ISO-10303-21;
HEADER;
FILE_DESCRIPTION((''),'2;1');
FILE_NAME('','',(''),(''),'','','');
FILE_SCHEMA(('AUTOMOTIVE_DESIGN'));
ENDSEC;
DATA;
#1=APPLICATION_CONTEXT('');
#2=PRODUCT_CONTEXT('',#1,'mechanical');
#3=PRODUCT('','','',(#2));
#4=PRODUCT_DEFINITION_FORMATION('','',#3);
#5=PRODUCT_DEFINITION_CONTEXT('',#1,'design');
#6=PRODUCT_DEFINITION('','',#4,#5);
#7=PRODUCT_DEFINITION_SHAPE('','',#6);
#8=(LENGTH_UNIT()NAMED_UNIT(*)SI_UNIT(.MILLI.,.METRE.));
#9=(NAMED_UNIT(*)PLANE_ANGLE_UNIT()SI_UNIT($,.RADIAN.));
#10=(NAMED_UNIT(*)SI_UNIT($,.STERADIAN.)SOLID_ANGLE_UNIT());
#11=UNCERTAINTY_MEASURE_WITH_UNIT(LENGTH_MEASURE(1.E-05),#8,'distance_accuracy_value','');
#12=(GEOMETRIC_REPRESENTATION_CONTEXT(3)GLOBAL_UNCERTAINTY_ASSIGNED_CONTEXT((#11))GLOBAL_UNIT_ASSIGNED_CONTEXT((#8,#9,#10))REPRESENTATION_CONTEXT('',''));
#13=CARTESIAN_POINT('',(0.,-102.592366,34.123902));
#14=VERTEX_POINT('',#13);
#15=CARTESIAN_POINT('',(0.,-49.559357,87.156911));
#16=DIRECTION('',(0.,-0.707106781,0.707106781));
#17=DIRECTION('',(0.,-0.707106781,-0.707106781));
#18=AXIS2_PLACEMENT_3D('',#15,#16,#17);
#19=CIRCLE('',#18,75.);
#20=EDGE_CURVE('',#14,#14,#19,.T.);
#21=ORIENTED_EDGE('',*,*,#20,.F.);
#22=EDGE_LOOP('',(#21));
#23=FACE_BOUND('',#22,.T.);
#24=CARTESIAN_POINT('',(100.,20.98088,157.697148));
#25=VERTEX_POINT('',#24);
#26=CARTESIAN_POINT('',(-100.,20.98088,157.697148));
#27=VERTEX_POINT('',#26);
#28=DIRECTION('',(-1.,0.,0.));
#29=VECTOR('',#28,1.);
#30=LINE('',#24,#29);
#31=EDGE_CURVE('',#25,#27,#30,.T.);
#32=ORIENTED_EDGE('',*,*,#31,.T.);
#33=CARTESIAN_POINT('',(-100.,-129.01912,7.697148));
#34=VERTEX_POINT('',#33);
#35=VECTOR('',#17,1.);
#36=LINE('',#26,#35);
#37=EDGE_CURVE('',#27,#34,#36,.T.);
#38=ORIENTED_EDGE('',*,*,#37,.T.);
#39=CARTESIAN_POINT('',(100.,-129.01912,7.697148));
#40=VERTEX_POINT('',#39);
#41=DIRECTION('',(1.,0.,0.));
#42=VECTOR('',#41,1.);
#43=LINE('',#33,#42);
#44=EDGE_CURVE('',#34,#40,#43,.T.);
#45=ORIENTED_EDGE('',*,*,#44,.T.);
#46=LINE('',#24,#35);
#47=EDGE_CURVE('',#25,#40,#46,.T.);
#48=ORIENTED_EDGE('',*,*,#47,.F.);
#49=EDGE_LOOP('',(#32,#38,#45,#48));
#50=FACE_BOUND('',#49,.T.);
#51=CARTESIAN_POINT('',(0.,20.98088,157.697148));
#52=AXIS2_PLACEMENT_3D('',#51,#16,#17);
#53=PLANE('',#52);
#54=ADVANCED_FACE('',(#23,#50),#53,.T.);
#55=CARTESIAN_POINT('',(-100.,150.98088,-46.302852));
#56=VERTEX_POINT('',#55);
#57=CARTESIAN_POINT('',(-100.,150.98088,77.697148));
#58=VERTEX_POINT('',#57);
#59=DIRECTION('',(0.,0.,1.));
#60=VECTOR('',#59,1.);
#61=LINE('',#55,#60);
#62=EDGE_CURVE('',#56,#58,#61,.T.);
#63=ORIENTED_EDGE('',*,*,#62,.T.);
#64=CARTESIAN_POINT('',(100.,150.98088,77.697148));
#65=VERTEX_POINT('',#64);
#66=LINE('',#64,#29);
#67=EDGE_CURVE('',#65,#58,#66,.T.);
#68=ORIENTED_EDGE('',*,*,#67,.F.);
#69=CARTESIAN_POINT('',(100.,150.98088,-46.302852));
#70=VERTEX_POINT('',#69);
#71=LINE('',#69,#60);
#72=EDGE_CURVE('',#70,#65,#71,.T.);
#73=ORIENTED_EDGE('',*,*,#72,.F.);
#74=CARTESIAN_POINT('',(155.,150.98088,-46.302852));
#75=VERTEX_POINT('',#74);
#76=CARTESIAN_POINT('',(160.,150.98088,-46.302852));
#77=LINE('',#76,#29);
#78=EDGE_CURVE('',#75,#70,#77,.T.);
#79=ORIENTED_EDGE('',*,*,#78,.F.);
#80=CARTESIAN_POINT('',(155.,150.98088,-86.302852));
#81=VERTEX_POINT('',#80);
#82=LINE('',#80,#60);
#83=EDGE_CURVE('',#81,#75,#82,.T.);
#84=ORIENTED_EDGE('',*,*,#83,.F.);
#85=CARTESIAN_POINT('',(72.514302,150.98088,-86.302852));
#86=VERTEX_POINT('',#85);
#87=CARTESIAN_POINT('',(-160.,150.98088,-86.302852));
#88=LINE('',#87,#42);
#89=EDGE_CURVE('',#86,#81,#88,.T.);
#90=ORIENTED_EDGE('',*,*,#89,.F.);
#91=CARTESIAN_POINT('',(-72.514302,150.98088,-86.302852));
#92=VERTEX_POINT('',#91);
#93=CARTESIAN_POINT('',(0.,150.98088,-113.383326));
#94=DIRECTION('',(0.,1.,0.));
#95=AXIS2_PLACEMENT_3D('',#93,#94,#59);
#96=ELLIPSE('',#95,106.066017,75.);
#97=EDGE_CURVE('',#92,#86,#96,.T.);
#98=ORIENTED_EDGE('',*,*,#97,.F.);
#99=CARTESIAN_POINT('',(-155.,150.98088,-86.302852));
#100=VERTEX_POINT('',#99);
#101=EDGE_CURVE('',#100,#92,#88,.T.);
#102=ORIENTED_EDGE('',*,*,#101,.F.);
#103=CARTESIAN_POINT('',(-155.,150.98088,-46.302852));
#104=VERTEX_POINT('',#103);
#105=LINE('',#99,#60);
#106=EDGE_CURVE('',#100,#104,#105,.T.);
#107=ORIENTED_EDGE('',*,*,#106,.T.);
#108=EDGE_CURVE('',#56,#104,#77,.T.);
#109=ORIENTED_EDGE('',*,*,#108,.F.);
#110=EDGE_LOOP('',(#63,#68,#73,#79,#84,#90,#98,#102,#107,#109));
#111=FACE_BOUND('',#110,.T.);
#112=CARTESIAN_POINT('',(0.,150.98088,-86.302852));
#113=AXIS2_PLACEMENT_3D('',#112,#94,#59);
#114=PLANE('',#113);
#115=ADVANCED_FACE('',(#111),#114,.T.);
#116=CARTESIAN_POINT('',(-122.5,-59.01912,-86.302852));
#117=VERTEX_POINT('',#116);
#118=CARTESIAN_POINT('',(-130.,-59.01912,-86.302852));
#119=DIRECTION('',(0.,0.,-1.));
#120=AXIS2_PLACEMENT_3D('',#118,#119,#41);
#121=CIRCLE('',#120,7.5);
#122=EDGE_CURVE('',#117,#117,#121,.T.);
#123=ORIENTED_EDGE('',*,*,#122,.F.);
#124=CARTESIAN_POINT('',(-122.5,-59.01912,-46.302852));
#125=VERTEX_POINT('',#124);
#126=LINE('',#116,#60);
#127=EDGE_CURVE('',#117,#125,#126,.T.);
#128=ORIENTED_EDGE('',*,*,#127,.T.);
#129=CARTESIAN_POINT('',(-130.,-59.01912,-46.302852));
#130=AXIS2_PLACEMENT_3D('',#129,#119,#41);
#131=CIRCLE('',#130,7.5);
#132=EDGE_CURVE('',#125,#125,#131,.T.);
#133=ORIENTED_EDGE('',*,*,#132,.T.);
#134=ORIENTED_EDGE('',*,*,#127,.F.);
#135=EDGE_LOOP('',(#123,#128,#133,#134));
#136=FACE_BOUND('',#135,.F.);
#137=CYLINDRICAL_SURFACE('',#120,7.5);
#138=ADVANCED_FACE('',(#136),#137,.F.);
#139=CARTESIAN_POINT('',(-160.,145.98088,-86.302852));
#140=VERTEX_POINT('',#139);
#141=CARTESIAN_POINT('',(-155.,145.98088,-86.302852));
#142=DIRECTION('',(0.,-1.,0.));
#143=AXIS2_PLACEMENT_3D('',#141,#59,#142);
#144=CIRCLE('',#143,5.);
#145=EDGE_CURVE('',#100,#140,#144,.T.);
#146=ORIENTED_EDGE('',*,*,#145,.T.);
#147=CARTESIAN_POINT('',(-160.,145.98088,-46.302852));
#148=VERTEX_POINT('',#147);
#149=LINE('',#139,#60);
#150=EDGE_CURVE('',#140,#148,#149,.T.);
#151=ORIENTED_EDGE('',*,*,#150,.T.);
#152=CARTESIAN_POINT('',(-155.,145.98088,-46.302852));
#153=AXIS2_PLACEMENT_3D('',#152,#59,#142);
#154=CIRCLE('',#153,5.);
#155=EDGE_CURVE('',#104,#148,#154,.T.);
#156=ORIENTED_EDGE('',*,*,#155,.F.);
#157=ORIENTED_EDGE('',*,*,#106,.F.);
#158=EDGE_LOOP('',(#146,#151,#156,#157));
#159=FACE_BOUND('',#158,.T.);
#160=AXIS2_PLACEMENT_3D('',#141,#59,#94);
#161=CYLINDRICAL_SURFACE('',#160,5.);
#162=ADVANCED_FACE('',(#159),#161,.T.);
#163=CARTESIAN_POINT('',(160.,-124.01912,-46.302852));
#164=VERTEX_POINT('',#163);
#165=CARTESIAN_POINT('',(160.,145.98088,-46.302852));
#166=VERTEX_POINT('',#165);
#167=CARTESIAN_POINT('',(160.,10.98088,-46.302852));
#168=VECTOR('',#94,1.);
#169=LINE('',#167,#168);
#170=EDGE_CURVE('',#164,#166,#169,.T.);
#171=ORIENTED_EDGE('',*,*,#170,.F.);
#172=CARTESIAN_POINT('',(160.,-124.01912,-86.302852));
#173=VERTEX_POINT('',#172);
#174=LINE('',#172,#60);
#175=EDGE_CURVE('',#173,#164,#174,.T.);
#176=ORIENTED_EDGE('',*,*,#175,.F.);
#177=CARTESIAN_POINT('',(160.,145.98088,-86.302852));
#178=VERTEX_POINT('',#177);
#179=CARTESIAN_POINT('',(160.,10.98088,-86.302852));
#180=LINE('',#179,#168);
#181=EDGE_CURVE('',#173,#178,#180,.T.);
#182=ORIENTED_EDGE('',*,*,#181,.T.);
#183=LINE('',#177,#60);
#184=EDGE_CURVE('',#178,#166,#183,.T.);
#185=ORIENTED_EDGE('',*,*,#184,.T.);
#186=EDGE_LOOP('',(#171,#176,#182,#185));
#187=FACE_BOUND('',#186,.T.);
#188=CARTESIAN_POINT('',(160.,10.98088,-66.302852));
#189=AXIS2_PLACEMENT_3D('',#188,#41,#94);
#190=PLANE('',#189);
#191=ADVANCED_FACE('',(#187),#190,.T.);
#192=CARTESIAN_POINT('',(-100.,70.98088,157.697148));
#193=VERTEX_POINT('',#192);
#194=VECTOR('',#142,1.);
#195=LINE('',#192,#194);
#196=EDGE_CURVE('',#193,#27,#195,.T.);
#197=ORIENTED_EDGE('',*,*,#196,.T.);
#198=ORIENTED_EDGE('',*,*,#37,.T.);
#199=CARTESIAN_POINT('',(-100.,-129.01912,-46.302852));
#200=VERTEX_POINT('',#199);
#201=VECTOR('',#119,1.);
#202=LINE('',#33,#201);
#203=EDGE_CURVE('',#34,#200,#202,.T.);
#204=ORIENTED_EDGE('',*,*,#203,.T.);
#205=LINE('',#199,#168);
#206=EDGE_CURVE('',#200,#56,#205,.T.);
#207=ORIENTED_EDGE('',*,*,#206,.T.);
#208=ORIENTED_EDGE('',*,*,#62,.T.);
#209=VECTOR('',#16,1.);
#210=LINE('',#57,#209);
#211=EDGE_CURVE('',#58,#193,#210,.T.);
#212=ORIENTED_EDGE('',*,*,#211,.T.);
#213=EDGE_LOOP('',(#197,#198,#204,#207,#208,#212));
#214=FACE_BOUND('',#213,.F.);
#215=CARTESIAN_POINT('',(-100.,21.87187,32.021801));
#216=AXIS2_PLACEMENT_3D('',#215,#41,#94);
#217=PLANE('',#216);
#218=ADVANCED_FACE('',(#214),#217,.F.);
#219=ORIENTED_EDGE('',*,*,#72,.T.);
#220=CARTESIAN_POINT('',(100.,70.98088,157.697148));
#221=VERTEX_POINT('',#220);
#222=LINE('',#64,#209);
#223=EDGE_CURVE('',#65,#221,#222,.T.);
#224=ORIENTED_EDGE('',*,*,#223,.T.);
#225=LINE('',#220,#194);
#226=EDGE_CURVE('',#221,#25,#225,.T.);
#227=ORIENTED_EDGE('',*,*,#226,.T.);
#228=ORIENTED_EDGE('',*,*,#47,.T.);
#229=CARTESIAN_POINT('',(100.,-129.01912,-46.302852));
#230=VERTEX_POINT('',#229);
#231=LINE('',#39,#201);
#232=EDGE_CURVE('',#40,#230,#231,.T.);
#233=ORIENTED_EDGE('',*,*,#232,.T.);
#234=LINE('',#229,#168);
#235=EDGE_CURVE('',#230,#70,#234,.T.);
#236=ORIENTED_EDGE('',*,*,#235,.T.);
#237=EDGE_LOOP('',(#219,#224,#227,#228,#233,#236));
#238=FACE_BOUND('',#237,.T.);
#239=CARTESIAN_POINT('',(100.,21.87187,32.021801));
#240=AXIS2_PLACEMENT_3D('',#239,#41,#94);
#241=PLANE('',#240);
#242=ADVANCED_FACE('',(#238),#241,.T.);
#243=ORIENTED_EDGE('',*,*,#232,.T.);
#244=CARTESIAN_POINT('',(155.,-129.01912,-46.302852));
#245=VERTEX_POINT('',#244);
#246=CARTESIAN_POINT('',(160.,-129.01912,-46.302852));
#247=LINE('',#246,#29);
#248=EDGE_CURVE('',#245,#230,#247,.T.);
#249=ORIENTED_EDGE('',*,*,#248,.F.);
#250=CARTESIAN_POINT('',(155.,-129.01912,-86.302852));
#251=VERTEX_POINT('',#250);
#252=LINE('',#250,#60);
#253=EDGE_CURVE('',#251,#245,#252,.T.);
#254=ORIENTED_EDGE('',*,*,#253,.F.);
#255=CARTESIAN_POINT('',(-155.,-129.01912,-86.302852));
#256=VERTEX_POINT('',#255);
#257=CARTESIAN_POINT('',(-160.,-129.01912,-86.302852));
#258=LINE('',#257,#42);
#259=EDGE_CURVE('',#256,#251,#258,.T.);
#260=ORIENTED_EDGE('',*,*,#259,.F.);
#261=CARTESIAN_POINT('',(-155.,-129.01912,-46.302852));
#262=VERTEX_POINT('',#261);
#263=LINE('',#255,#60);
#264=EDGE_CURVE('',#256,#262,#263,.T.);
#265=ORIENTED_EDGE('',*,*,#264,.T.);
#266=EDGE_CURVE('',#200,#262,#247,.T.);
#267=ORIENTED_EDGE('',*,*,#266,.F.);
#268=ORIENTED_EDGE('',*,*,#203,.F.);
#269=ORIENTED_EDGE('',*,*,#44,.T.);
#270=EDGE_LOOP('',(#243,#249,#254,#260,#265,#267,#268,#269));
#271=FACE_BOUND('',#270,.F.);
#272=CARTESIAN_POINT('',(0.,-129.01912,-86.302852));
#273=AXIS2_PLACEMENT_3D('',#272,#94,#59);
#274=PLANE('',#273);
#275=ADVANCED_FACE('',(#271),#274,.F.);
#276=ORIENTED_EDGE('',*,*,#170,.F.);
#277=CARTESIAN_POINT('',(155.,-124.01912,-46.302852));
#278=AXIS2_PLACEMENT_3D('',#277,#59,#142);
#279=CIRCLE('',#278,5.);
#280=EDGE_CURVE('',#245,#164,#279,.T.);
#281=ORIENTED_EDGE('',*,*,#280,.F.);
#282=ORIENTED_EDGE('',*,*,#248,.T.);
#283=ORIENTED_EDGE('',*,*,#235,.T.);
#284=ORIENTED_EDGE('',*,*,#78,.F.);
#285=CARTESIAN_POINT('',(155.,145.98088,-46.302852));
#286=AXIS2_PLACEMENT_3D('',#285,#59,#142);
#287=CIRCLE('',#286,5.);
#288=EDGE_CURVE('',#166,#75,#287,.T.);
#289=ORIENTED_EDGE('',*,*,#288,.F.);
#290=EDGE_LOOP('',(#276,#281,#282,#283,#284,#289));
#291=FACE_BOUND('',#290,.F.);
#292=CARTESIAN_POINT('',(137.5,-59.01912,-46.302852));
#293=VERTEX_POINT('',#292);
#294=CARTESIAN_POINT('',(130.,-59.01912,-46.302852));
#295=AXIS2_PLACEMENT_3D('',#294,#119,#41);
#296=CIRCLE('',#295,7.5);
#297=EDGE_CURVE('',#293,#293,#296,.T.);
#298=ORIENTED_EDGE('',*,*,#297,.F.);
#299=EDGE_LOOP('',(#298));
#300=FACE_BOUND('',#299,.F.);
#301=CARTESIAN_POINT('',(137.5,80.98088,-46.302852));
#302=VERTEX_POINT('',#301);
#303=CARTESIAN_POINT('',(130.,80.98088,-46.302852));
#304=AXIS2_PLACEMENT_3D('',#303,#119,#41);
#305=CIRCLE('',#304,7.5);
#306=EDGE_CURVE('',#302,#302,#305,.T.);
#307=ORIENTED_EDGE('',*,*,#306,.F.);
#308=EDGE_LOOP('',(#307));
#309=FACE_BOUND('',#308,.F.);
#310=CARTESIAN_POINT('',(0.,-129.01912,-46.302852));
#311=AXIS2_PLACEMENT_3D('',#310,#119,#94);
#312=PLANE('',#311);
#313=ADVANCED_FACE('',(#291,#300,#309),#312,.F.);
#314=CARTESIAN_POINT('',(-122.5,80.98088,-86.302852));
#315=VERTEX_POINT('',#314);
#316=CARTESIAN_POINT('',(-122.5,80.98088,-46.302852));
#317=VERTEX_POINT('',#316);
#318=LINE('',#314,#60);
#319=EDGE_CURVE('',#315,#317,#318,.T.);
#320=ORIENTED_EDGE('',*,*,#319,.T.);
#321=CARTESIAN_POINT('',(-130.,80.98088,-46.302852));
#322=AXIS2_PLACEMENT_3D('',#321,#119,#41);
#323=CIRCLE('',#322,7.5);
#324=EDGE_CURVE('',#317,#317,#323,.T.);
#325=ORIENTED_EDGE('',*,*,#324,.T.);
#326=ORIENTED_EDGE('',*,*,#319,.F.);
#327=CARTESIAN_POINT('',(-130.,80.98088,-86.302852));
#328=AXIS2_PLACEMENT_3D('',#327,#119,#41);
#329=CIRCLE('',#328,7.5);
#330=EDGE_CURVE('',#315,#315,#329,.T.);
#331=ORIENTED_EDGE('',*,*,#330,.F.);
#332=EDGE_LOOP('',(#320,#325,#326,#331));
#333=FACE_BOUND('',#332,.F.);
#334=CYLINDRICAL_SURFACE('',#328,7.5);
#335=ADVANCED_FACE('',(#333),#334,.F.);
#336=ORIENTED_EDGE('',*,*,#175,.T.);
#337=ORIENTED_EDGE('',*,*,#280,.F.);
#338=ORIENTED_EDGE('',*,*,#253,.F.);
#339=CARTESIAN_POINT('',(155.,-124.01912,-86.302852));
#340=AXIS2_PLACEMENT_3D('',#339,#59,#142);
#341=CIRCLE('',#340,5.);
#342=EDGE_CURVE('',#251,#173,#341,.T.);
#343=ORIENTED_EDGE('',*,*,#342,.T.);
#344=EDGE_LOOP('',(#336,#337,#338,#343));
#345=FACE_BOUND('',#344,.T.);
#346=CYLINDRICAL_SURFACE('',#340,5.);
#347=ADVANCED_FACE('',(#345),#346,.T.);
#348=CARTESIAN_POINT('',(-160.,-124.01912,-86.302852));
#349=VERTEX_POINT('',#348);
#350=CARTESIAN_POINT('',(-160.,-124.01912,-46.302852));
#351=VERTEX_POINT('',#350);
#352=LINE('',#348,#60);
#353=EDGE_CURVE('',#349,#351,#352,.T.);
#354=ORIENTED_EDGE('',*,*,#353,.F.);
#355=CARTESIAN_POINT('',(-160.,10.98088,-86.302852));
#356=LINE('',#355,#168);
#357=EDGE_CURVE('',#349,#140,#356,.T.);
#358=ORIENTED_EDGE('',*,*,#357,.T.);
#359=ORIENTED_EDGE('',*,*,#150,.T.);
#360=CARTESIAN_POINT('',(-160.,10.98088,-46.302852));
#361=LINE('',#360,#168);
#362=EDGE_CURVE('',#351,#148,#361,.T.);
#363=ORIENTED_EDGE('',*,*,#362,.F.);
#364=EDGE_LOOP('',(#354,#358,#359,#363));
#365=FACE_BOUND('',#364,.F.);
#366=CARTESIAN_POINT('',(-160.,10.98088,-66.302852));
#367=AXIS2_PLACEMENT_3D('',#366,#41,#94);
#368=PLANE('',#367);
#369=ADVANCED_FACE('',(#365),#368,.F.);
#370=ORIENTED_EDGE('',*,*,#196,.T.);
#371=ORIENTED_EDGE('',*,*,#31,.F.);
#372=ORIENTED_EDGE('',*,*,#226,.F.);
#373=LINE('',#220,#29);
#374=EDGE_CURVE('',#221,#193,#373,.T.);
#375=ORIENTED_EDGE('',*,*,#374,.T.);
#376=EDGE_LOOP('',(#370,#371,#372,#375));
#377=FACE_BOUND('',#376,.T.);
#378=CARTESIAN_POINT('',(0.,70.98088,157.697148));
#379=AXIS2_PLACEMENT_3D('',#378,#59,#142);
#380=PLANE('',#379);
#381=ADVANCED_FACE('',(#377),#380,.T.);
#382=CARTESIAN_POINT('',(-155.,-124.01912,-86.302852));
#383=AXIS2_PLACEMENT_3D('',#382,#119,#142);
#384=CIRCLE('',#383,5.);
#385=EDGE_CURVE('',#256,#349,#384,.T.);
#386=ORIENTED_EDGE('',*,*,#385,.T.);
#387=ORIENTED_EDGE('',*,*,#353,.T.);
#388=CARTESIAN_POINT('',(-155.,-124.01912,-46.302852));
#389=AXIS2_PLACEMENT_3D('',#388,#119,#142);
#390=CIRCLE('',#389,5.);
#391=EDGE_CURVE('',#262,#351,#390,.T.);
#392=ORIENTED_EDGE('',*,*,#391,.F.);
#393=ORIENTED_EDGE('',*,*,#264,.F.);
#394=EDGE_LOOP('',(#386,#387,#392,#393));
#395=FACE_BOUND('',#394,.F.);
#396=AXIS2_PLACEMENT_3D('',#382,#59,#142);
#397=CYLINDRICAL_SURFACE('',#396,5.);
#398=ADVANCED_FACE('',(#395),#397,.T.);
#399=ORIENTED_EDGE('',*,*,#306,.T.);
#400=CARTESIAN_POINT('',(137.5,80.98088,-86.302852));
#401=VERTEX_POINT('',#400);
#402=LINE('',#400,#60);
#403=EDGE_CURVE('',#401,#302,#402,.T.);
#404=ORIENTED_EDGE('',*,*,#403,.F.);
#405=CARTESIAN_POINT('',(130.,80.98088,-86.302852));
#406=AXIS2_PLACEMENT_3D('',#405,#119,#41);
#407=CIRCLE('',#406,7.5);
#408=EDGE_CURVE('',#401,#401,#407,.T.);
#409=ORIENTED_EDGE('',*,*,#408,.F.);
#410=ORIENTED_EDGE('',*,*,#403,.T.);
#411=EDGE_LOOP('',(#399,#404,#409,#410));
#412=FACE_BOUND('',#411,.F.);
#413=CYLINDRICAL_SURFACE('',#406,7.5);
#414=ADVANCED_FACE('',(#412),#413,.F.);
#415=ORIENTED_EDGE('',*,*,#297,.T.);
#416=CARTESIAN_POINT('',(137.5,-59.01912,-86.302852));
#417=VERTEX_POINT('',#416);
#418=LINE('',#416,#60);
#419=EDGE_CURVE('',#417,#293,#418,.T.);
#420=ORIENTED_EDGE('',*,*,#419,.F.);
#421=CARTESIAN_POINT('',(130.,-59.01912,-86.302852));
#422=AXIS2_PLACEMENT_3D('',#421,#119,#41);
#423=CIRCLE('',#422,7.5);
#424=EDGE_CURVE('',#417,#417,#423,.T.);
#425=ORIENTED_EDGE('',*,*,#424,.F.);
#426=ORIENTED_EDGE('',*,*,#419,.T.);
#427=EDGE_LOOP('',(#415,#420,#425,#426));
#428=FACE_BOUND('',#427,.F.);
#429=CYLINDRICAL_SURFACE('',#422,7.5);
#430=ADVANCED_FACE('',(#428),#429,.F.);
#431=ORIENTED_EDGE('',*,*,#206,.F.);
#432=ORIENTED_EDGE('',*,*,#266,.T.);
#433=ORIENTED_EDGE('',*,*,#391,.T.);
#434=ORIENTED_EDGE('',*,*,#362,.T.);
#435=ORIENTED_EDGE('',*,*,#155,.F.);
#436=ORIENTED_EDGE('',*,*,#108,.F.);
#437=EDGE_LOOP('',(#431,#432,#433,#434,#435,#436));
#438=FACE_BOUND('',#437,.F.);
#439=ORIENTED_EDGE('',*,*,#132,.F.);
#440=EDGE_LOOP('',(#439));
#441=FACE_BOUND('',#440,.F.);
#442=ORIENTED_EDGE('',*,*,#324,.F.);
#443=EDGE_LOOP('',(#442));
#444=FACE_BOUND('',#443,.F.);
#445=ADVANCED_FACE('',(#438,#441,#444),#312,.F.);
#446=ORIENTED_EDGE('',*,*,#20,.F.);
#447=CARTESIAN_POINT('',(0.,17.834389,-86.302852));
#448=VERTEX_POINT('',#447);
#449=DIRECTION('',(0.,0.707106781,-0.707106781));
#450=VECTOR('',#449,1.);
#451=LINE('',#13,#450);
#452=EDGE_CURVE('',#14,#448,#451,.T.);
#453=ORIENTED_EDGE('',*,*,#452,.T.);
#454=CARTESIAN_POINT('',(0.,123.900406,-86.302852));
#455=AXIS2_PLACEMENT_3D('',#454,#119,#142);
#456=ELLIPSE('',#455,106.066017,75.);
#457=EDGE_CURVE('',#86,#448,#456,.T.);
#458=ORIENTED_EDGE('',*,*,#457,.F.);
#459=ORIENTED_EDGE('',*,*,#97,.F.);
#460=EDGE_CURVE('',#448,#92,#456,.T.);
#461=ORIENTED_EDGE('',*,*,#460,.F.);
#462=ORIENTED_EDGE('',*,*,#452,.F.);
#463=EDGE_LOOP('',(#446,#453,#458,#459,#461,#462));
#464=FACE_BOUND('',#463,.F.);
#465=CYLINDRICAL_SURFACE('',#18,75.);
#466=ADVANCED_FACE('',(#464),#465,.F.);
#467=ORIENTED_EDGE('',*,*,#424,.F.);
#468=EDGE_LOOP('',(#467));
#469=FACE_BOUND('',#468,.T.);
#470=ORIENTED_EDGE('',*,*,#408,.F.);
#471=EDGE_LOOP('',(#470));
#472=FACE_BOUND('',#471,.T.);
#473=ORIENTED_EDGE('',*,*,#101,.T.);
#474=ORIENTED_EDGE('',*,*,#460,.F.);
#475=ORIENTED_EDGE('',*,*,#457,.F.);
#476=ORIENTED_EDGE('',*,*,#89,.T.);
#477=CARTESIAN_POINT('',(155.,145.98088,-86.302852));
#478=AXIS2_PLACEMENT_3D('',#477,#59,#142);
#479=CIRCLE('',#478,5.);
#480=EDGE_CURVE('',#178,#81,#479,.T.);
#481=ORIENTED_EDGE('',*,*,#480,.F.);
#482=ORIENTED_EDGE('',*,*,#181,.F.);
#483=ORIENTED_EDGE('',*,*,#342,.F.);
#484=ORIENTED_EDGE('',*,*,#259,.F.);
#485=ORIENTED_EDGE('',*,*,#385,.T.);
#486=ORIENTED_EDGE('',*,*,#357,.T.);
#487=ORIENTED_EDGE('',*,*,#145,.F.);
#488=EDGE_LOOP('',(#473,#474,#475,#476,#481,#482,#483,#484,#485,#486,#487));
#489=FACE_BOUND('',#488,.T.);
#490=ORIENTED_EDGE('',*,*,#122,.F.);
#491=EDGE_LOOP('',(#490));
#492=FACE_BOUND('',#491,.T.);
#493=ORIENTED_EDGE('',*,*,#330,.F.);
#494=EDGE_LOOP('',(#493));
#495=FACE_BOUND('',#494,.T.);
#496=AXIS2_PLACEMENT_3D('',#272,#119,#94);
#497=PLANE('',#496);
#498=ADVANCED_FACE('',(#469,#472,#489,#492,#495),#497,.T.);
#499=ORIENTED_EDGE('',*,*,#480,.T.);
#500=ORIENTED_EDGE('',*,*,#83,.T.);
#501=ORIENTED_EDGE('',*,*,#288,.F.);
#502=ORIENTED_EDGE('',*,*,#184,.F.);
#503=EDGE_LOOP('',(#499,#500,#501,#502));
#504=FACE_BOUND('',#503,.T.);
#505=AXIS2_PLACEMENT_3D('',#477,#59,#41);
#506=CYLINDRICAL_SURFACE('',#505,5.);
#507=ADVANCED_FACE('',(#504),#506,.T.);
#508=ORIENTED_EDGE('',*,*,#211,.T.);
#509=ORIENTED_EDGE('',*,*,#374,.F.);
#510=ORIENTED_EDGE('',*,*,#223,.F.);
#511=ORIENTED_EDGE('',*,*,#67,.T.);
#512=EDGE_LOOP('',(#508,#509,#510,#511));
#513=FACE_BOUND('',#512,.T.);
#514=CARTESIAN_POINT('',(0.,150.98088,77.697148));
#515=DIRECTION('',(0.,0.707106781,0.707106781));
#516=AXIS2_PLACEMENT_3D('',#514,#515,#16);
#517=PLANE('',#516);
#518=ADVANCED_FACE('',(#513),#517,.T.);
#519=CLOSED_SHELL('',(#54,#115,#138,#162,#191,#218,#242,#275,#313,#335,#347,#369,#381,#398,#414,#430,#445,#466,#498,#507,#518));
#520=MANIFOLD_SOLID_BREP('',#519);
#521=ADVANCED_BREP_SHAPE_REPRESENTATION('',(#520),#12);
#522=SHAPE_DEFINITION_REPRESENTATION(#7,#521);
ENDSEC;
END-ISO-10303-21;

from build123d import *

# Parameters (mm, degrees)
F0_W     = 280
F0_H     = 40
F1_DEPTH = 160
F2_R     = 5
F3_R     = 7.5
F4_DEPTH = 50
F5_DEPTH = 100
F7_DEPTH = 81751


with BuildPart() as f1:
    # F0 (on Right) → F1 (new body, symmetric)
    with BuildSketch(Plane.YZ):
        with Locations((10.9808796245, -66.3028520482)):
            Rectangle(F0_W, F0_H)
    extrude(amount=F1_DEPTH, both=True)

    # F2
    f2_edges = [f1.edges().sort_by_distance(p)[0] for p in [
        (160, -129.01912, -66.302852),
        (-160, -129.01912, -66.302852),
        (160, 150.98088, -66.302852),
        (-160, 150.98088, -66.302852),
    ]]
    fillet(f2_edges, radius=F2_R)

    # F3 (on face) → F4 (cut)
    with BuildSketch(Plane(origin=(0, 0, -86.3028520482), x_dir=(1, 0, 0), z_dir=(0, 0, -1))):
        with Locations((130, -80.9808796245)):
            Circle(F3_R)
        with Locations((130, 59.0191203755)):
            Circle(F3_R)
        with Locations((-130, -80.9808796245)):
            Circle(F3_R)
        with Locations((-130, 59.0191203755)):
            Circle(F3_R)
    extrude(amount=-F4_DEPTH, mode=Mode.SUBTRACT)

    # F0 (on Right) → F5 (join, symmetric)
    with BuildSketch(Plane.YZ):
        Polygon((20.9808796245, 157.6971479518), (-129.0191203755, 7.6971479518), (-129.0191203755, -46.3028520482), (150.9808796245, -46.3028520482), (150.9808796245, 77.6971479518), (70.9808796245, 157.6971479518), align=None)
    extrude(amount=F5_DEPTH, both=True)

    # F6 (on face) → F7 (cut)
    with BuildSketch(Plane(origin=(0, -68.3581341637, 68.3581341637), x_dir=(1, 0, 0), z_dir=(0, -0.7071067812, 0.7071067812))):
        with BuildLine():
            Line((0, -48.4145147354), (0, 101.5854852646))
            ThreePointArc((0, 101.5854852646), (-75, 26.5854852646), (0, -48.4145147354))
        make_face()
        with BuildLine():
            ThreePointArc((75, 26.5854852646), (53.033008589, 79.6184938536), (0, 101.5854852646))
            Line((0, 101.5854852646), (0, -48.4145147354))
            ThreePointArc((0, -48.4145147354), (53.033008589, -26.4475233244), (75, 26.5854852646))
        make_face()
    extrude(amount=-F7_DEPTH, mode=Mode.SUBTRACT)


solid = f1.part
